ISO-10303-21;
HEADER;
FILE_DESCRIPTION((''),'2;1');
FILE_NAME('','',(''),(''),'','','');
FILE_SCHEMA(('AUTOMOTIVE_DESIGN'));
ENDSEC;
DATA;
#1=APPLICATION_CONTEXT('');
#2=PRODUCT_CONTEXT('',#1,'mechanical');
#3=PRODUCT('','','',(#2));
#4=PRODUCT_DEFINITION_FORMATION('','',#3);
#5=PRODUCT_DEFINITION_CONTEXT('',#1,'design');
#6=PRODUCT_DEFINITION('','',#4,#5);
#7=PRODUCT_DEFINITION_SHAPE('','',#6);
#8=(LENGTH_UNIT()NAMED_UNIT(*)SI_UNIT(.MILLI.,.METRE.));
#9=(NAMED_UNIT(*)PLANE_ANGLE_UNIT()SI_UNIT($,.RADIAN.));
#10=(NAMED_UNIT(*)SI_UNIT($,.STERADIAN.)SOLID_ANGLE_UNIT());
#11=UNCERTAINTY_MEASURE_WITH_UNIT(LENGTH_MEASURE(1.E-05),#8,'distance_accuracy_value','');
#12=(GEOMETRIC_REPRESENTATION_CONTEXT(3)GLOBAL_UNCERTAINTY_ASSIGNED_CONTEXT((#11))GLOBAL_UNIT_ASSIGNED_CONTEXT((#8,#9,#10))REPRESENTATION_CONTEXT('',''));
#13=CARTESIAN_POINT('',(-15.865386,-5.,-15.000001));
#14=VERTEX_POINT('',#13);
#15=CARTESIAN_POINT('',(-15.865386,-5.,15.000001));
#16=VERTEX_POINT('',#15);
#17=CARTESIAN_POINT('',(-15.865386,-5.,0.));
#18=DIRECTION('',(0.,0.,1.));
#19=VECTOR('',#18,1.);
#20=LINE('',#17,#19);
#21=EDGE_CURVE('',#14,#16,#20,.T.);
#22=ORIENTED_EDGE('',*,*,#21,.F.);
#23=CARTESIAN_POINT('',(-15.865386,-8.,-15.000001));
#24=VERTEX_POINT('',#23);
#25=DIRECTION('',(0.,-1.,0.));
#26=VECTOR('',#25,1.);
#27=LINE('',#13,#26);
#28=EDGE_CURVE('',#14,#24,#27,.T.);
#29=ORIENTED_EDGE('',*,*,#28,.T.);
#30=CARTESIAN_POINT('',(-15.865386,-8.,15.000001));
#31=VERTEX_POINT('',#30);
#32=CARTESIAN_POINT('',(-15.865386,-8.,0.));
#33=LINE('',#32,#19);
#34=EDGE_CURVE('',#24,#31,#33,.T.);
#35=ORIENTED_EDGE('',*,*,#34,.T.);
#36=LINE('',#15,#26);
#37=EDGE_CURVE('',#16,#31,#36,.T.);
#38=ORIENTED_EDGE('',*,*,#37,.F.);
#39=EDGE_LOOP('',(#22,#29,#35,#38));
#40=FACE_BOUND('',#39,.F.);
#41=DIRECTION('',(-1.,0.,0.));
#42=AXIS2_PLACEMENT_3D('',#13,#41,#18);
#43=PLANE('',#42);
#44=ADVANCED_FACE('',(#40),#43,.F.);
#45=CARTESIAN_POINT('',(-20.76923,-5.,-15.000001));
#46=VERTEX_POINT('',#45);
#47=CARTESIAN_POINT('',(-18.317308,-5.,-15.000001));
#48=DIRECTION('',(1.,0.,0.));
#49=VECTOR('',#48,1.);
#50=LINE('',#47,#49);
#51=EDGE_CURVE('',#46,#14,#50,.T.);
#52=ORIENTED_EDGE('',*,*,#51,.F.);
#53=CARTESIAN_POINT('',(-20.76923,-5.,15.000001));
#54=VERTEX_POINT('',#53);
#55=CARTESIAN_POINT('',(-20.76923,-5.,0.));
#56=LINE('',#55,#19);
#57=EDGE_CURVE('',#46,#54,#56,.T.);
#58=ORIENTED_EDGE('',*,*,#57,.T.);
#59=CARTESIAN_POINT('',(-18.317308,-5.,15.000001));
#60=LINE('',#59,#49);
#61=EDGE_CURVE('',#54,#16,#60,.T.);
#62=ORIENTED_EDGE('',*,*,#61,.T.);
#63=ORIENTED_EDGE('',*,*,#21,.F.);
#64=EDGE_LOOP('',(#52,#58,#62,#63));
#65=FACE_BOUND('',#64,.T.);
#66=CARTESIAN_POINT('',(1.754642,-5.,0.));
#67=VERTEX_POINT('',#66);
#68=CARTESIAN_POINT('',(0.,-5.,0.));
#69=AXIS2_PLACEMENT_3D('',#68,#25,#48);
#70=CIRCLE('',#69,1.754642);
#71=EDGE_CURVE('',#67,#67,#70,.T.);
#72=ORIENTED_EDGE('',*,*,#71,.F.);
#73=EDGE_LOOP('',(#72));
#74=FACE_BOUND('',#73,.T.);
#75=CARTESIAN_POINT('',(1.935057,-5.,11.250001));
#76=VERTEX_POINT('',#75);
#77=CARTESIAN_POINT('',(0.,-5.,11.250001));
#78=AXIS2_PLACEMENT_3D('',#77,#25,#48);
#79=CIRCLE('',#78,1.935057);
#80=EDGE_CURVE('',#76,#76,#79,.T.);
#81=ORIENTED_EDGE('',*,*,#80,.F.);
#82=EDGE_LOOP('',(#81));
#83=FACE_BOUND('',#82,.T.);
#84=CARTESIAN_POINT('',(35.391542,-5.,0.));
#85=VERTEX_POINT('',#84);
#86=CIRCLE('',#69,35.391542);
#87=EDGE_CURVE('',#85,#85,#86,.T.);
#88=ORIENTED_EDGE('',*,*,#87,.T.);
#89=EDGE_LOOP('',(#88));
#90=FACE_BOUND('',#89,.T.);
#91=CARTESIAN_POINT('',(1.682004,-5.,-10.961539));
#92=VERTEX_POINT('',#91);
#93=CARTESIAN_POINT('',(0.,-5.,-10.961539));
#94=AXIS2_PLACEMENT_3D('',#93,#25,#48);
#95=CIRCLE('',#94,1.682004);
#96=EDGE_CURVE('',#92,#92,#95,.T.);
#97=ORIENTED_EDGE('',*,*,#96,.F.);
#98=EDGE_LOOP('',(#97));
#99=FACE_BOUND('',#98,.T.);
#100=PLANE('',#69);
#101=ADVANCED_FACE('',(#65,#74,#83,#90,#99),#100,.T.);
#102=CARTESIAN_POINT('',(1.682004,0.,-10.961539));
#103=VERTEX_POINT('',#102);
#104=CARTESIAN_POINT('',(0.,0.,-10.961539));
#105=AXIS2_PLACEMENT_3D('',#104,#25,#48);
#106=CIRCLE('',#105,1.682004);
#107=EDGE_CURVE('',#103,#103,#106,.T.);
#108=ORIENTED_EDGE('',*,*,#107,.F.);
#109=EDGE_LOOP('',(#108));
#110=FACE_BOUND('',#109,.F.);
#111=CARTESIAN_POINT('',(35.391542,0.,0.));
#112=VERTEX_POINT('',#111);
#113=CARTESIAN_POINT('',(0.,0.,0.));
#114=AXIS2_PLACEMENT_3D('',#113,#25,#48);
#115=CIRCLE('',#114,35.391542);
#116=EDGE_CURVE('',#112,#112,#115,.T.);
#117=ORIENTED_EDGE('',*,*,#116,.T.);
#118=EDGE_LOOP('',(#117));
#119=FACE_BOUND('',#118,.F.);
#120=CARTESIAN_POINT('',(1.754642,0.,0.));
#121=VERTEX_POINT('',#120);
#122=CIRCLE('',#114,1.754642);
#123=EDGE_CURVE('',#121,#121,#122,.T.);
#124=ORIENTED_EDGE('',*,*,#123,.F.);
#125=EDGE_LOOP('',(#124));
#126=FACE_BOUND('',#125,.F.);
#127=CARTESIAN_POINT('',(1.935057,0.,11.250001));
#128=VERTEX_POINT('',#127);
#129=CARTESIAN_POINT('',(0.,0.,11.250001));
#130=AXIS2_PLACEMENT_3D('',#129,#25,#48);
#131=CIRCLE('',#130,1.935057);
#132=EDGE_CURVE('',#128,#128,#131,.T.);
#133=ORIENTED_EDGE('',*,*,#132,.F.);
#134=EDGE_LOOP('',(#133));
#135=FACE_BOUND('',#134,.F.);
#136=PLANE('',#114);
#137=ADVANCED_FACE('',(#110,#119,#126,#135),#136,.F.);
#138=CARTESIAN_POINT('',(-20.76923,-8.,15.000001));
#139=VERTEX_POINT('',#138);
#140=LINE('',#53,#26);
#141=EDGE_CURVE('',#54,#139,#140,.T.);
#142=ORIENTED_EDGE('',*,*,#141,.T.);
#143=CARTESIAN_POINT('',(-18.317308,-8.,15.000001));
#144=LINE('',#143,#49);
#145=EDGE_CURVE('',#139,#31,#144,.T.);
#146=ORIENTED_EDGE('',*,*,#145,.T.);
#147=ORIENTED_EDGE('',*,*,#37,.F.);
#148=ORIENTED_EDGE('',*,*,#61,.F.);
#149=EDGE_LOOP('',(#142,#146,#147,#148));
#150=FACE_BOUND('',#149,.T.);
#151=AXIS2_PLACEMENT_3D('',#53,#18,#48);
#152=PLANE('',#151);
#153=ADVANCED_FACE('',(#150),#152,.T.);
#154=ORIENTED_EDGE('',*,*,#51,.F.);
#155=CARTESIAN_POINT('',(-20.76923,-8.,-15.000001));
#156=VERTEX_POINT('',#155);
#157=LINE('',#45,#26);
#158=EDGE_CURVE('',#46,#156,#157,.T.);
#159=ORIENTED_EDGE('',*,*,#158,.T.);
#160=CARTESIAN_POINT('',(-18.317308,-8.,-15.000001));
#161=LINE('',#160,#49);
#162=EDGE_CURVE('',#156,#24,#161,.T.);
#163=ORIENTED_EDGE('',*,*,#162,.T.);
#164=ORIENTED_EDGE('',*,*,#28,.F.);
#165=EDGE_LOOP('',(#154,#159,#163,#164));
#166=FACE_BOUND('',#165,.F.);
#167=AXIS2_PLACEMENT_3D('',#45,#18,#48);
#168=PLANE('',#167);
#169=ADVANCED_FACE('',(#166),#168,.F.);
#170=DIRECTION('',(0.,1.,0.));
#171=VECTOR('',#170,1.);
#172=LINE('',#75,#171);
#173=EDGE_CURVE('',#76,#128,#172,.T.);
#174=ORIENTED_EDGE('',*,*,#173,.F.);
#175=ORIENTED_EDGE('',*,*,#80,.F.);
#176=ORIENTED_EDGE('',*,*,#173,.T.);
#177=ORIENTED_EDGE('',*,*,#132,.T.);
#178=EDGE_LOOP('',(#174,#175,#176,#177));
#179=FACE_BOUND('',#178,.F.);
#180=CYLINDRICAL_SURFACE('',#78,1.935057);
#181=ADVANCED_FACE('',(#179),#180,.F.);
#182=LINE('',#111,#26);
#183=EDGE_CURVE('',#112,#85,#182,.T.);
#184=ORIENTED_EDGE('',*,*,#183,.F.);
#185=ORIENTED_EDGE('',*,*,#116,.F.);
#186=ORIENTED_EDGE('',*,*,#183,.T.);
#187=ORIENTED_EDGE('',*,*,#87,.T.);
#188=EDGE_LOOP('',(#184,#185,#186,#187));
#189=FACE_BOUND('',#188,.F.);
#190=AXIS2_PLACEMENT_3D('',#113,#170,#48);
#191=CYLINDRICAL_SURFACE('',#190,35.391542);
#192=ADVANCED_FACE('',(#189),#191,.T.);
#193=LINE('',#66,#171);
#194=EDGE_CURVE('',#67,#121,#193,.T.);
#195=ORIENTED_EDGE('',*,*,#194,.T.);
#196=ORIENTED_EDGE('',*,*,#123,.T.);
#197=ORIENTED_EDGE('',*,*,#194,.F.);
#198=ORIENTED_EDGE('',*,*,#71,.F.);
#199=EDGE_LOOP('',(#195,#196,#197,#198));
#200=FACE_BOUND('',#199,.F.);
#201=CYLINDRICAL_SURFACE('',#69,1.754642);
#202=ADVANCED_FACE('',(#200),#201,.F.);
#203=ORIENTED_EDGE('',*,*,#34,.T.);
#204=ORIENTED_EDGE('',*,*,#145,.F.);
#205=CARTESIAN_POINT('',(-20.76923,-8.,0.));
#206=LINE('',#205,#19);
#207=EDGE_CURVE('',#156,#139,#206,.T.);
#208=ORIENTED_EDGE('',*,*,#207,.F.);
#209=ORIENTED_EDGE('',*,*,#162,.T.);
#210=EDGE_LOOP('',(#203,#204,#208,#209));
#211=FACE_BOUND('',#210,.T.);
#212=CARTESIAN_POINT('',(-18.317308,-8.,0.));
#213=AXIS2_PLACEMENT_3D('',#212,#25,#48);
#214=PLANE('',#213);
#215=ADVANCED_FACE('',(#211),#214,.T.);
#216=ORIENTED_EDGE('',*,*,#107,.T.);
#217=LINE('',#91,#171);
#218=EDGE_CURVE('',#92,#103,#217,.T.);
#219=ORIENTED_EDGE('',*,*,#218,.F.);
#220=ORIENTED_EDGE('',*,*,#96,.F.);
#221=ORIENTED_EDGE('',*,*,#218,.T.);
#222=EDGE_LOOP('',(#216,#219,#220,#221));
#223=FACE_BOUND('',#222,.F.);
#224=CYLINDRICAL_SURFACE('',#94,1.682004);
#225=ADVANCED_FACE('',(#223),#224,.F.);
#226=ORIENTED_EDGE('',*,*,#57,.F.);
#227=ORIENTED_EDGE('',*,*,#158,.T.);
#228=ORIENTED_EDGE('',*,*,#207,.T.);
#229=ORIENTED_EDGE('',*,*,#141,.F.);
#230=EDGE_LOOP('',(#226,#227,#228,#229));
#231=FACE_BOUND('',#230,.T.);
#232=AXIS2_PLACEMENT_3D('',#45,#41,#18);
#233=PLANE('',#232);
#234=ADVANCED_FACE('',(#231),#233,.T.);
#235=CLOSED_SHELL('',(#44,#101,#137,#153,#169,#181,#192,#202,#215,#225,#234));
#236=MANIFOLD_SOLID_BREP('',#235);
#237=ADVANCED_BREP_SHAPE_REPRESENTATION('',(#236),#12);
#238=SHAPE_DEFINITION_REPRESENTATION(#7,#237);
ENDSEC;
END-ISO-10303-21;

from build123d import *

# Parameters (mm, degrees)
F0_R     = 35.391542
F1_DEPTH = 5
F3_R     = 1.682004
F4_DEPTH = 25
F5_R     = 1.935057
F6_DEPTH = 25
F7_R     = 1.754642
F8_DEPTH = 25
F2_W     = 4.903845
F2_H     = 30.000002
F9_DEPTH = 3


with BuildPart() as f1:
    # F0 (on Front) → F1 (new body)
    with BuildSketch(Plane.XZ):
        Circle(F0_R)
    extrude(amount=F1_DEPTH)

    # F3 (on face) → F4 (cut)
    with BuildSketch(Plane.XZ.offset(5)):
        with Locations((0, -10.961539)):
            Circle(F3_R)
    extrude(amount=-F4_DEPTH, mode=Mode.SUBTRACT)

    # F5 (on face) → F6 (cut)
    with BuildSketch(Plane.XZ.offset(5)):
        with Locations((0, 11.250001)):
            Circle(F5_R)
    extrude(amount=-F6_DEPTH, mode=Mode.SUBTRACT)

    # F7 (on face) → F8 (cut)
    with BuildSketch(Plane.XZ.offset(5)):
        Circle(F7_R)
    extrude(amount=-F8_DEPTH, mode=Mode.SUBTRACT)

    # F2 (on face) → F9 (join)
    with BuildSketch(Plane.XZ.offset(5)):
        with Locations((-18.317308, 0)):
            Rectangle(F2_W, F2_H)
    extrude(amount=F9_DEPTH)


solid = f1.part
